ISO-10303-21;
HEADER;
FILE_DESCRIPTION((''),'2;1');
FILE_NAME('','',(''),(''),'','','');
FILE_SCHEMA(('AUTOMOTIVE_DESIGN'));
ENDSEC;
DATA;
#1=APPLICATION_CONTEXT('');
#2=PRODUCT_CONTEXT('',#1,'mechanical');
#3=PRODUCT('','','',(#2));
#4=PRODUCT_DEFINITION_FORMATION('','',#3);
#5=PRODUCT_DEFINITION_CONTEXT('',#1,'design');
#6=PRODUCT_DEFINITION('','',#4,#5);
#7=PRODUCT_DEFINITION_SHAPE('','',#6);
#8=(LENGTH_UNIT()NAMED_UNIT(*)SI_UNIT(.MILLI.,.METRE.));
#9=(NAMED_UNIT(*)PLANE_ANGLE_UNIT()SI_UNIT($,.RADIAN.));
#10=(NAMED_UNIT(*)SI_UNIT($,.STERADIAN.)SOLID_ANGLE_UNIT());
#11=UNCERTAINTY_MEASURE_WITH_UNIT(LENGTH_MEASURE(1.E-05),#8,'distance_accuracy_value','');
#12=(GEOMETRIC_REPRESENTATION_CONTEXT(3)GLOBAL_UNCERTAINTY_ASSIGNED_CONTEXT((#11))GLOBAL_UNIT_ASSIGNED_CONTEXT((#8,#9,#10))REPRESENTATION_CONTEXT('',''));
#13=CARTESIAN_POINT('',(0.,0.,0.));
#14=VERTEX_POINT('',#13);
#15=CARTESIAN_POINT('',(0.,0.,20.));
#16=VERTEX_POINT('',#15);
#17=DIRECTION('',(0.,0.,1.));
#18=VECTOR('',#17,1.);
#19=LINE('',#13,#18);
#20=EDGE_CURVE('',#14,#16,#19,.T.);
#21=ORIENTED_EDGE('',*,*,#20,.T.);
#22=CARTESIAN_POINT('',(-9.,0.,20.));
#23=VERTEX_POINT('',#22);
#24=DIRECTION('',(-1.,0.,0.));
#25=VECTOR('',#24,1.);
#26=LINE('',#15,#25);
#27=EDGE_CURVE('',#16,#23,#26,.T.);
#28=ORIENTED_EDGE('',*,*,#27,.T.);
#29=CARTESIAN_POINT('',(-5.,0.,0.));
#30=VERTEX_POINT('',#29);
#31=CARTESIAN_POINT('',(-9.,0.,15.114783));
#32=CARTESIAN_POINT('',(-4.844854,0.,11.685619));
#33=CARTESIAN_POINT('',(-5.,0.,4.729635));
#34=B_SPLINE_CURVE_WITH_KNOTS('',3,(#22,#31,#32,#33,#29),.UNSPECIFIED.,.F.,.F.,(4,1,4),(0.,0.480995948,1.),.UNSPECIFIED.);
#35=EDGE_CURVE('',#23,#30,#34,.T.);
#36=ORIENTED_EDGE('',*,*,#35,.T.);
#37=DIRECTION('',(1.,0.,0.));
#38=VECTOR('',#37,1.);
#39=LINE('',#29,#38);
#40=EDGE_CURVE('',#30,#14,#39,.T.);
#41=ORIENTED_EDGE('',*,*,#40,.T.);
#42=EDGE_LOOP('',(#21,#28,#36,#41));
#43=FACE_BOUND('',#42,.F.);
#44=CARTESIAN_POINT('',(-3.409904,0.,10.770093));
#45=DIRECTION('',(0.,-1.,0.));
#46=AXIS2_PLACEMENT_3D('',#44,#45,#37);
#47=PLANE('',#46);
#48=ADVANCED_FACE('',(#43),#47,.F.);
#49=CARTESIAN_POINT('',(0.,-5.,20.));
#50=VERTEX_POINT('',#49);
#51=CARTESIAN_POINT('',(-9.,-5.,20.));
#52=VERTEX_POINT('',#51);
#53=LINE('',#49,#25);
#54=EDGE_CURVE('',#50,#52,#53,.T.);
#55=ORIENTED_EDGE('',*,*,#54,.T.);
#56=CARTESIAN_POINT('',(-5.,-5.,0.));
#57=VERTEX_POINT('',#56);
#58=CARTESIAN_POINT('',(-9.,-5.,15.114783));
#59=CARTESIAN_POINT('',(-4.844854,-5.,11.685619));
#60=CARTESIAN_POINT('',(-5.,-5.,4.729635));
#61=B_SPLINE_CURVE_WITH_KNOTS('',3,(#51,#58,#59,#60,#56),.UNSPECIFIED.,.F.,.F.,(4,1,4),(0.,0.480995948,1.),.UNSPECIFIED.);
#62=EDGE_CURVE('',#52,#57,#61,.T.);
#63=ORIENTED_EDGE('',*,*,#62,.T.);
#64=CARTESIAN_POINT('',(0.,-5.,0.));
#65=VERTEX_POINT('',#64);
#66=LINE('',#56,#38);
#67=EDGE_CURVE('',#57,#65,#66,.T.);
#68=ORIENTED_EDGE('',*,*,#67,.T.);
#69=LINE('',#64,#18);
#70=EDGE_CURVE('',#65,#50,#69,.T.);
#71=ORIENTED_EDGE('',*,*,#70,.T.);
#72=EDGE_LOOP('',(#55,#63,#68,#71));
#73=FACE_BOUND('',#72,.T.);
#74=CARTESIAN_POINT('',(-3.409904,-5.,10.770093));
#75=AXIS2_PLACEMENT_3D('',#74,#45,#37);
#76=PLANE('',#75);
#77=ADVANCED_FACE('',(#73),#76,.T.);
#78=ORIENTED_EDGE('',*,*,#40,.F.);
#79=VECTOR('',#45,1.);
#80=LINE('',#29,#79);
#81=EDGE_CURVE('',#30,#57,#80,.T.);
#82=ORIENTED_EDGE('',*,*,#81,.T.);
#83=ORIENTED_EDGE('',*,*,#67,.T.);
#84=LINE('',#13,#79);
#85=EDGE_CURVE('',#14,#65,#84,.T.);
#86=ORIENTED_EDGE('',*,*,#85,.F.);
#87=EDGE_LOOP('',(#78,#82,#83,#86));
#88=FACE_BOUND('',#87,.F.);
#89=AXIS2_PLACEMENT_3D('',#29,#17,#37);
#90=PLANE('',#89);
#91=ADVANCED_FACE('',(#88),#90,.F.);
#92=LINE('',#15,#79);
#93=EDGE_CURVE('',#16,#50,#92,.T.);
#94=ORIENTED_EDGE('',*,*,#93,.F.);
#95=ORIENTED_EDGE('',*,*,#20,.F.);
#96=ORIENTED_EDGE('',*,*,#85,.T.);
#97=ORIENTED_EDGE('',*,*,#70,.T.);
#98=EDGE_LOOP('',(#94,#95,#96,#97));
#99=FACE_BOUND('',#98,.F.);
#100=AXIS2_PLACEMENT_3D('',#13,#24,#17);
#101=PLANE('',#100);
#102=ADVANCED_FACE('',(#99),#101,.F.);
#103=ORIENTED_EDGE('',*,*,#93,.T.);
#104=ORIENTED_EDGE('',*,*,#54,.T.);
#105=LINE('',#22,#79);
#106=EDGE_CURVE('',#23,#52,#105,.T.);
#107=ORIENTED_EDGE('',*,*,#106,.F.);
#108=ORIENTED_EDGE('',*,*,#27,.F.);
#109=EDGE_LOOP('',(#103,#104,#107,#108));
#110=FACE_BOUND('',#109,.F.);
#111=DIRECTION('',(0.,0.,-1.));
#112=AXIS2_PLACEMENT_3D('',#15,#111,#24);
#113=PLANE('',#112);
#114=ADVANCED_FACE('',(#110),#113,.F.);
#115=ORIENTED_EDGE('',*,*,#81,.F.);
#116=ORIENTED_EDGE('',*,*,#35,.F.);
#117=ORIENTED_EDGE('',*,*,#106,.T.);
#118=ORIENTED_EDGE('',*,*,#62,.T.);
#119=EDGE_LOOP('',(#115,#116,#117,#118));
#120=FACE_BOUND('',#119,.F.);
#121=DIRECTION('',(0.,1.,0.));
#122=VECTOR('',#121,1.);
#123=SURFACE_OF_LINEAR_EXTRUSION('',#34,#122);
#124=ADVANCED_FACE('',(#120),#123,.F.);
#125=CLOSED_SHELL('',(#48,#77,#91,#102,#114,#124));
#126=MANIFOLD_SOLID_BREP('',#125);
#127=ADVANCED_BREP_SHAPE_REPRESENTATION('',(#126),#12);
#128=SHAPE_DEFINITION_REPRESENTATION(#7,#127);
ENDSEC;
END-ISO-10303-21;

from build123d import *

# Parameters (mm, degrees)
F1_DEPTH = 5


with BuildPart() as f1:
    # F0 (on Front) → F1 (new body)
    with BuildSketch(Plane.XZ):
        with BuildLine():
            add(Edge.make_bspline(
                [(-9, 20), (-9, 15.1147833094), (-4.8448542279, 11.6856186799), (-5, 4.7296346165), (-5, 0)],
                knots=[0, 0, 0, 0, 0.4809959482, 1, 1, 1, 1], degree=3))
            Line((-5, 0), (0, 0))
            Line((0, 0), (0, 20))
            Line((0, 20), (-9, 20))
        make_face()
    extrude(amount=F1_DEPTH)


solid = f1.part
